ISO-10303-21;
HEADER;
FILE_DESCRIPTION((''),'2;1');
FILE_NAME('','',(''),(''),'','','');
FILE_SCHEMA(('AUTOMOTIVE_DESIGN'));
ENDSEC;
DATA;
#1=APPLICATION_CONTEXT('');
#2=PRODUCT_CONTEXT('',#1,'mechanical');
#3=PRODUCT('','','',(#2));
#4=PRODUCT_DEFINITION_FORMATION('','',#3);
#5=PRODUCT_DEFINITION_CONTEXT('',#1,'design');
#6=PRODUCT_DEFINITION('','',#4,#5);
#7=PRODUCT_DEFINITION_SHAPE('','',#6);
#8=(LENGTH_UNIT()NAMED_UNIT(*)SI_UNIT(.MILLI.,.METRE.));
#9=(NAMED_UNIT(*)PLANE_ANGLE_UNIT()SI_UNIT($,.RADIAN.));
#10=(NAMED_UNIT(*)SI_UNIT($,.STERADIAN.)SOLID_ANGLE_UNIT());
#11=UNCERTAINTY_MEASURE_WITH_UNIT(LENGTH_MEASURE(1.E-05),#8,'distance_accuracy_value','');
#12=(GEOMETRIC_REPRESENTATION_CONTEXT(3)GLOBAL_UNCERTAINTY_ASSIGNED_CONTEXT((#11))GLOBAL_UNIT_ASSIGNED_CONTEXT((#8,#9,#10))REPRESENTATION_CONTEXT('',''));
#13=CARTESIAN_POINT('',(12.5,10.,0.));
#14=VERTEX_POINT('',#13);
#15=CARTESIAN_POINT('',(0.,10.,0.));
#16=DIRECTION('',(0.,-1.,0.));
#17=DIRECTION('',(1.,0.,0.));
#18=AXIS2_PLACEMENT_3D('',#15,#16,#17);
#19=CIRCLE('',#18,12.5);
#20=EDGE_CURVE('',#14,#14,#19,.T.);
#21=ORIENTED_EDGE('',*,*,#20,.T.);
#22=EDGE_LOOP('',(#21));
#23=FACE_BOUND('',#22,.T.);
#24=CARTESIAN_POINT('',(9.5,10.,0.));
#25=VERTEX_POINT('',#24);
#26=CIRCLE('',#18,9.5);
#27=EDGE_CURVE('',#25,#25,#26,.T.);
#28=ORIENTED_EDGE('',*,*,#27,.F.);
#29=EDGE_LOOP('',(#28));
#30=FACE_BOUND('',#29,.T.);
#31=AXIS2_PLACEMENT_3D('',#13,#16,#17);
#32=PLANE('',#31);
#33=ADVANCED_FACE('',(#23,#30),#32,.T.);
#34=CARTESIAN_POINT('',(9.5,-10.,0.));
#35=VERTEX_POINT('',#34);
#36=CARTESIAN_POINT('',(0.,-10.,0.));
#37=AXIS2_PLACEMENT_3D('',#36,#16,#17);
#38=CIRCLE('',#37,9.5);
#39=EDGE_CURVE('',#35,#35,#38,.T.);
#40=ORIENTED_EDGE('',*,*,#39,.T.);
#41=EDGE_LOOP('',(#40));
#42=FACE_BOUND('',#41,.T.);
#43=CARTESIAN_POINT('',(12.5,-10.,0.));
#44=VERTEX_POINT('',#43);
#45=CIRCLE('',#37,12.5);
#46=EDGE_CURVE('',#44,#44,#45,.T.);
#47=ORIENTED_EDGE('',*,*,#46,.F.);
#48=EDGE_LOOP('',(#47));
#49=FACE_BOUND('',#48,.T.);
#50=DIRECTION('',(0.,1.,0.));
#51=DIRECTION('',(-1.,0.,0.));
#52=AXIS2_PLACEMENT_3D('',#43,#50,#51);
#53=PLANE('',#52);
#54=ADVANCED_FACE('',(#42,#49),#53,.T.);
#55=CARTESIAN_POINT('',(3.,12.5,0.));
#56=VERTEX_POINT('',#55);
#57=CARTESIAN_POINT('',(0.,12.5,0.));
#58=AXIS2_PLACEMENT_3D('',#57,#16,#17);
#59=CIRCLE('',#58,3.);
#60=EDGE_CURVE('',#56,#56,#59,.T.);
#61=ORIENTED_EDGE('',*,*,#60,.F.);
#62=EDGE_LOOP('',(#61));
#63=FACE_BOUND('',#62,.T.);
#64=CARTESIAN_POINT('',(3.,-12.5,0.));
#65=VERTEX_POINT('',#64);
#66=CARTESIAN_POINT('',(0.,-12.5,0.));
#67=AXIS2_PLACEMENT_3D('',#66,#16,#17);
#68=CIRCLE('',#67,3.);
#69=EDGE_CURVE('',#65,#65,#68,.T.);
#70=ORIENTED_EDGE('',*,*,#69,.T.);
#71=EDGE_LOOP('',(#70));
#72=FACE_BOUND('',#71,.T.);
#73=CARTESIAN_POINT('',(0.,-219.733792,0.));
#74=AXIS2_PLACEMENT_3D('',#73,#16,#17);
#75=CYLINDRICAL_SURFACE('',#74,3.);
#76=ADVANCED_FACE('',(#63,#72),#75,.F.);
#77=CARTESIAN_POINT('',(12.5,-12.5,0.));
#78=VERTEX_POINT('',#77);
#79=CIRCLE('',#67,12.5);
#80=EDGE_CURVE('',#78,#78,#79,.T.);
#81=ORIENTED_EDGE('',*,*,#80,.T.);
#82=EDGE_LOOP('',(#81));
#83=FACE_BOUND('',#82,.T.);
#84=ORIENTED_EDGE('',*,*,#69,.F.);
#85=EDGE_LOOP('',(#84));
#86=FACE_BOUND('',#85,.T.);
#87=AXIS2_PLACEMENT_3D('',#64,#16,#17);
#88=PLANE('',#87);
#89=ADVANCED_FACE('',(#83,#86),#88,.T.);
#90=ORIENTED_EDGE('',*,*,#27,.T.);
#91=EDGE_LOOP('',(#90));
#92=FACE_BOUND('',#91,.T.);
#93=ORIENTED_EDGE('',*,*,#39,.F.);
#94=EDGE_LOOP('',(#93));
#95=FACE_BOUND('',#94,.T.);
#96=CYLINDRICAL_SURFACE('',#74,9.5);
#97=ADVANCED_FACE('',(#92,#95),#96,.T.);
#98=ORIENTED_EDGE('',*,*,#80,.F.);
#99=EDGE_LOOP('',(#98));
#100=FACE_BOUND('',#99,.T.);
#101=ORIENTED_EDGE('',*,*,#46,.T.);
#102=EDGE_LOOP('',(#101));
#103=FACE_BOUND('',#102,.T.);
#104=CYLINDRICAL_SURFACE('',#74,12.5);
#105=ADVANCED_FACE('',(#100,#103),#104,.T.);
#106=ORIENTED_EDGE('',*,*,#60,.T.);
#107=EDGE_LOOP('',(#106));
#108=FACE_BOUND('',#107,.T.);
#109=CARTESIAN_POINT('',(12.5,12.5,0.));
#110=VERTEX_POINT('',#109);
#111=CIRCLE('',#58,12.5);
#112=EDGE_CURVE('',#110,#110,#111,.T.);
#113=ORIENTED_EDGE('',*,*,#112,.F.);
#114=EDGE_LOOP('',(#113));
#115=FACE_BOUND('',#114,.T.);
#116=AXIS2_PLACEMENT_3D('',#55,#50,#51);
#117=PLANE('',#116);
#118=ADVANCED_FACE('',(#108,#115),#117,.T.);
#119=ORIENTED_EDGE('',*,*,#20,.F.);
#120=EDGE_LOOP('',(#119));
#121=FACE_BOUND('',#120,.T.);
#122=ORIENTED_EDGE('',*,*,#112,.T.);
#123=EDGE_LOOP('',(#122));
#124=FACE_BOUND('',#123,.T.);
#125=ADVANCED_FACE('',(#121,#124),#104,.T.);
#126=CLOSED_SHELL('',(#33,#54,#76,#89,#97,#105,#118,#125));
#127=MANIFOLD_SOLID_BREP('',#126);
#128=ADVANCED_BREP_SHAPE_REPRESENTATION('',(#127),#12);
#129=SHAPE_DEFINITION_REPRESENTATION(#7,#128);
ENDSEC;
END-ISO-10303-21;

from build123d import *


with BuildPart() as part:
    # 草图1 → 旋转1 (revolve)
    with BuildSketch(Plane.XY):
        Polygon((3, -12.5), (3, 12.5), (12.5, 12.5), (12.5, 10), (9.5, 10), (9.5, -10), (12.5, -10), (12.5, -12.5), align=None)
    revolve(axis=Axis((0, -219.733791514, 0), (0, 1, 0)))


solid = part.part
